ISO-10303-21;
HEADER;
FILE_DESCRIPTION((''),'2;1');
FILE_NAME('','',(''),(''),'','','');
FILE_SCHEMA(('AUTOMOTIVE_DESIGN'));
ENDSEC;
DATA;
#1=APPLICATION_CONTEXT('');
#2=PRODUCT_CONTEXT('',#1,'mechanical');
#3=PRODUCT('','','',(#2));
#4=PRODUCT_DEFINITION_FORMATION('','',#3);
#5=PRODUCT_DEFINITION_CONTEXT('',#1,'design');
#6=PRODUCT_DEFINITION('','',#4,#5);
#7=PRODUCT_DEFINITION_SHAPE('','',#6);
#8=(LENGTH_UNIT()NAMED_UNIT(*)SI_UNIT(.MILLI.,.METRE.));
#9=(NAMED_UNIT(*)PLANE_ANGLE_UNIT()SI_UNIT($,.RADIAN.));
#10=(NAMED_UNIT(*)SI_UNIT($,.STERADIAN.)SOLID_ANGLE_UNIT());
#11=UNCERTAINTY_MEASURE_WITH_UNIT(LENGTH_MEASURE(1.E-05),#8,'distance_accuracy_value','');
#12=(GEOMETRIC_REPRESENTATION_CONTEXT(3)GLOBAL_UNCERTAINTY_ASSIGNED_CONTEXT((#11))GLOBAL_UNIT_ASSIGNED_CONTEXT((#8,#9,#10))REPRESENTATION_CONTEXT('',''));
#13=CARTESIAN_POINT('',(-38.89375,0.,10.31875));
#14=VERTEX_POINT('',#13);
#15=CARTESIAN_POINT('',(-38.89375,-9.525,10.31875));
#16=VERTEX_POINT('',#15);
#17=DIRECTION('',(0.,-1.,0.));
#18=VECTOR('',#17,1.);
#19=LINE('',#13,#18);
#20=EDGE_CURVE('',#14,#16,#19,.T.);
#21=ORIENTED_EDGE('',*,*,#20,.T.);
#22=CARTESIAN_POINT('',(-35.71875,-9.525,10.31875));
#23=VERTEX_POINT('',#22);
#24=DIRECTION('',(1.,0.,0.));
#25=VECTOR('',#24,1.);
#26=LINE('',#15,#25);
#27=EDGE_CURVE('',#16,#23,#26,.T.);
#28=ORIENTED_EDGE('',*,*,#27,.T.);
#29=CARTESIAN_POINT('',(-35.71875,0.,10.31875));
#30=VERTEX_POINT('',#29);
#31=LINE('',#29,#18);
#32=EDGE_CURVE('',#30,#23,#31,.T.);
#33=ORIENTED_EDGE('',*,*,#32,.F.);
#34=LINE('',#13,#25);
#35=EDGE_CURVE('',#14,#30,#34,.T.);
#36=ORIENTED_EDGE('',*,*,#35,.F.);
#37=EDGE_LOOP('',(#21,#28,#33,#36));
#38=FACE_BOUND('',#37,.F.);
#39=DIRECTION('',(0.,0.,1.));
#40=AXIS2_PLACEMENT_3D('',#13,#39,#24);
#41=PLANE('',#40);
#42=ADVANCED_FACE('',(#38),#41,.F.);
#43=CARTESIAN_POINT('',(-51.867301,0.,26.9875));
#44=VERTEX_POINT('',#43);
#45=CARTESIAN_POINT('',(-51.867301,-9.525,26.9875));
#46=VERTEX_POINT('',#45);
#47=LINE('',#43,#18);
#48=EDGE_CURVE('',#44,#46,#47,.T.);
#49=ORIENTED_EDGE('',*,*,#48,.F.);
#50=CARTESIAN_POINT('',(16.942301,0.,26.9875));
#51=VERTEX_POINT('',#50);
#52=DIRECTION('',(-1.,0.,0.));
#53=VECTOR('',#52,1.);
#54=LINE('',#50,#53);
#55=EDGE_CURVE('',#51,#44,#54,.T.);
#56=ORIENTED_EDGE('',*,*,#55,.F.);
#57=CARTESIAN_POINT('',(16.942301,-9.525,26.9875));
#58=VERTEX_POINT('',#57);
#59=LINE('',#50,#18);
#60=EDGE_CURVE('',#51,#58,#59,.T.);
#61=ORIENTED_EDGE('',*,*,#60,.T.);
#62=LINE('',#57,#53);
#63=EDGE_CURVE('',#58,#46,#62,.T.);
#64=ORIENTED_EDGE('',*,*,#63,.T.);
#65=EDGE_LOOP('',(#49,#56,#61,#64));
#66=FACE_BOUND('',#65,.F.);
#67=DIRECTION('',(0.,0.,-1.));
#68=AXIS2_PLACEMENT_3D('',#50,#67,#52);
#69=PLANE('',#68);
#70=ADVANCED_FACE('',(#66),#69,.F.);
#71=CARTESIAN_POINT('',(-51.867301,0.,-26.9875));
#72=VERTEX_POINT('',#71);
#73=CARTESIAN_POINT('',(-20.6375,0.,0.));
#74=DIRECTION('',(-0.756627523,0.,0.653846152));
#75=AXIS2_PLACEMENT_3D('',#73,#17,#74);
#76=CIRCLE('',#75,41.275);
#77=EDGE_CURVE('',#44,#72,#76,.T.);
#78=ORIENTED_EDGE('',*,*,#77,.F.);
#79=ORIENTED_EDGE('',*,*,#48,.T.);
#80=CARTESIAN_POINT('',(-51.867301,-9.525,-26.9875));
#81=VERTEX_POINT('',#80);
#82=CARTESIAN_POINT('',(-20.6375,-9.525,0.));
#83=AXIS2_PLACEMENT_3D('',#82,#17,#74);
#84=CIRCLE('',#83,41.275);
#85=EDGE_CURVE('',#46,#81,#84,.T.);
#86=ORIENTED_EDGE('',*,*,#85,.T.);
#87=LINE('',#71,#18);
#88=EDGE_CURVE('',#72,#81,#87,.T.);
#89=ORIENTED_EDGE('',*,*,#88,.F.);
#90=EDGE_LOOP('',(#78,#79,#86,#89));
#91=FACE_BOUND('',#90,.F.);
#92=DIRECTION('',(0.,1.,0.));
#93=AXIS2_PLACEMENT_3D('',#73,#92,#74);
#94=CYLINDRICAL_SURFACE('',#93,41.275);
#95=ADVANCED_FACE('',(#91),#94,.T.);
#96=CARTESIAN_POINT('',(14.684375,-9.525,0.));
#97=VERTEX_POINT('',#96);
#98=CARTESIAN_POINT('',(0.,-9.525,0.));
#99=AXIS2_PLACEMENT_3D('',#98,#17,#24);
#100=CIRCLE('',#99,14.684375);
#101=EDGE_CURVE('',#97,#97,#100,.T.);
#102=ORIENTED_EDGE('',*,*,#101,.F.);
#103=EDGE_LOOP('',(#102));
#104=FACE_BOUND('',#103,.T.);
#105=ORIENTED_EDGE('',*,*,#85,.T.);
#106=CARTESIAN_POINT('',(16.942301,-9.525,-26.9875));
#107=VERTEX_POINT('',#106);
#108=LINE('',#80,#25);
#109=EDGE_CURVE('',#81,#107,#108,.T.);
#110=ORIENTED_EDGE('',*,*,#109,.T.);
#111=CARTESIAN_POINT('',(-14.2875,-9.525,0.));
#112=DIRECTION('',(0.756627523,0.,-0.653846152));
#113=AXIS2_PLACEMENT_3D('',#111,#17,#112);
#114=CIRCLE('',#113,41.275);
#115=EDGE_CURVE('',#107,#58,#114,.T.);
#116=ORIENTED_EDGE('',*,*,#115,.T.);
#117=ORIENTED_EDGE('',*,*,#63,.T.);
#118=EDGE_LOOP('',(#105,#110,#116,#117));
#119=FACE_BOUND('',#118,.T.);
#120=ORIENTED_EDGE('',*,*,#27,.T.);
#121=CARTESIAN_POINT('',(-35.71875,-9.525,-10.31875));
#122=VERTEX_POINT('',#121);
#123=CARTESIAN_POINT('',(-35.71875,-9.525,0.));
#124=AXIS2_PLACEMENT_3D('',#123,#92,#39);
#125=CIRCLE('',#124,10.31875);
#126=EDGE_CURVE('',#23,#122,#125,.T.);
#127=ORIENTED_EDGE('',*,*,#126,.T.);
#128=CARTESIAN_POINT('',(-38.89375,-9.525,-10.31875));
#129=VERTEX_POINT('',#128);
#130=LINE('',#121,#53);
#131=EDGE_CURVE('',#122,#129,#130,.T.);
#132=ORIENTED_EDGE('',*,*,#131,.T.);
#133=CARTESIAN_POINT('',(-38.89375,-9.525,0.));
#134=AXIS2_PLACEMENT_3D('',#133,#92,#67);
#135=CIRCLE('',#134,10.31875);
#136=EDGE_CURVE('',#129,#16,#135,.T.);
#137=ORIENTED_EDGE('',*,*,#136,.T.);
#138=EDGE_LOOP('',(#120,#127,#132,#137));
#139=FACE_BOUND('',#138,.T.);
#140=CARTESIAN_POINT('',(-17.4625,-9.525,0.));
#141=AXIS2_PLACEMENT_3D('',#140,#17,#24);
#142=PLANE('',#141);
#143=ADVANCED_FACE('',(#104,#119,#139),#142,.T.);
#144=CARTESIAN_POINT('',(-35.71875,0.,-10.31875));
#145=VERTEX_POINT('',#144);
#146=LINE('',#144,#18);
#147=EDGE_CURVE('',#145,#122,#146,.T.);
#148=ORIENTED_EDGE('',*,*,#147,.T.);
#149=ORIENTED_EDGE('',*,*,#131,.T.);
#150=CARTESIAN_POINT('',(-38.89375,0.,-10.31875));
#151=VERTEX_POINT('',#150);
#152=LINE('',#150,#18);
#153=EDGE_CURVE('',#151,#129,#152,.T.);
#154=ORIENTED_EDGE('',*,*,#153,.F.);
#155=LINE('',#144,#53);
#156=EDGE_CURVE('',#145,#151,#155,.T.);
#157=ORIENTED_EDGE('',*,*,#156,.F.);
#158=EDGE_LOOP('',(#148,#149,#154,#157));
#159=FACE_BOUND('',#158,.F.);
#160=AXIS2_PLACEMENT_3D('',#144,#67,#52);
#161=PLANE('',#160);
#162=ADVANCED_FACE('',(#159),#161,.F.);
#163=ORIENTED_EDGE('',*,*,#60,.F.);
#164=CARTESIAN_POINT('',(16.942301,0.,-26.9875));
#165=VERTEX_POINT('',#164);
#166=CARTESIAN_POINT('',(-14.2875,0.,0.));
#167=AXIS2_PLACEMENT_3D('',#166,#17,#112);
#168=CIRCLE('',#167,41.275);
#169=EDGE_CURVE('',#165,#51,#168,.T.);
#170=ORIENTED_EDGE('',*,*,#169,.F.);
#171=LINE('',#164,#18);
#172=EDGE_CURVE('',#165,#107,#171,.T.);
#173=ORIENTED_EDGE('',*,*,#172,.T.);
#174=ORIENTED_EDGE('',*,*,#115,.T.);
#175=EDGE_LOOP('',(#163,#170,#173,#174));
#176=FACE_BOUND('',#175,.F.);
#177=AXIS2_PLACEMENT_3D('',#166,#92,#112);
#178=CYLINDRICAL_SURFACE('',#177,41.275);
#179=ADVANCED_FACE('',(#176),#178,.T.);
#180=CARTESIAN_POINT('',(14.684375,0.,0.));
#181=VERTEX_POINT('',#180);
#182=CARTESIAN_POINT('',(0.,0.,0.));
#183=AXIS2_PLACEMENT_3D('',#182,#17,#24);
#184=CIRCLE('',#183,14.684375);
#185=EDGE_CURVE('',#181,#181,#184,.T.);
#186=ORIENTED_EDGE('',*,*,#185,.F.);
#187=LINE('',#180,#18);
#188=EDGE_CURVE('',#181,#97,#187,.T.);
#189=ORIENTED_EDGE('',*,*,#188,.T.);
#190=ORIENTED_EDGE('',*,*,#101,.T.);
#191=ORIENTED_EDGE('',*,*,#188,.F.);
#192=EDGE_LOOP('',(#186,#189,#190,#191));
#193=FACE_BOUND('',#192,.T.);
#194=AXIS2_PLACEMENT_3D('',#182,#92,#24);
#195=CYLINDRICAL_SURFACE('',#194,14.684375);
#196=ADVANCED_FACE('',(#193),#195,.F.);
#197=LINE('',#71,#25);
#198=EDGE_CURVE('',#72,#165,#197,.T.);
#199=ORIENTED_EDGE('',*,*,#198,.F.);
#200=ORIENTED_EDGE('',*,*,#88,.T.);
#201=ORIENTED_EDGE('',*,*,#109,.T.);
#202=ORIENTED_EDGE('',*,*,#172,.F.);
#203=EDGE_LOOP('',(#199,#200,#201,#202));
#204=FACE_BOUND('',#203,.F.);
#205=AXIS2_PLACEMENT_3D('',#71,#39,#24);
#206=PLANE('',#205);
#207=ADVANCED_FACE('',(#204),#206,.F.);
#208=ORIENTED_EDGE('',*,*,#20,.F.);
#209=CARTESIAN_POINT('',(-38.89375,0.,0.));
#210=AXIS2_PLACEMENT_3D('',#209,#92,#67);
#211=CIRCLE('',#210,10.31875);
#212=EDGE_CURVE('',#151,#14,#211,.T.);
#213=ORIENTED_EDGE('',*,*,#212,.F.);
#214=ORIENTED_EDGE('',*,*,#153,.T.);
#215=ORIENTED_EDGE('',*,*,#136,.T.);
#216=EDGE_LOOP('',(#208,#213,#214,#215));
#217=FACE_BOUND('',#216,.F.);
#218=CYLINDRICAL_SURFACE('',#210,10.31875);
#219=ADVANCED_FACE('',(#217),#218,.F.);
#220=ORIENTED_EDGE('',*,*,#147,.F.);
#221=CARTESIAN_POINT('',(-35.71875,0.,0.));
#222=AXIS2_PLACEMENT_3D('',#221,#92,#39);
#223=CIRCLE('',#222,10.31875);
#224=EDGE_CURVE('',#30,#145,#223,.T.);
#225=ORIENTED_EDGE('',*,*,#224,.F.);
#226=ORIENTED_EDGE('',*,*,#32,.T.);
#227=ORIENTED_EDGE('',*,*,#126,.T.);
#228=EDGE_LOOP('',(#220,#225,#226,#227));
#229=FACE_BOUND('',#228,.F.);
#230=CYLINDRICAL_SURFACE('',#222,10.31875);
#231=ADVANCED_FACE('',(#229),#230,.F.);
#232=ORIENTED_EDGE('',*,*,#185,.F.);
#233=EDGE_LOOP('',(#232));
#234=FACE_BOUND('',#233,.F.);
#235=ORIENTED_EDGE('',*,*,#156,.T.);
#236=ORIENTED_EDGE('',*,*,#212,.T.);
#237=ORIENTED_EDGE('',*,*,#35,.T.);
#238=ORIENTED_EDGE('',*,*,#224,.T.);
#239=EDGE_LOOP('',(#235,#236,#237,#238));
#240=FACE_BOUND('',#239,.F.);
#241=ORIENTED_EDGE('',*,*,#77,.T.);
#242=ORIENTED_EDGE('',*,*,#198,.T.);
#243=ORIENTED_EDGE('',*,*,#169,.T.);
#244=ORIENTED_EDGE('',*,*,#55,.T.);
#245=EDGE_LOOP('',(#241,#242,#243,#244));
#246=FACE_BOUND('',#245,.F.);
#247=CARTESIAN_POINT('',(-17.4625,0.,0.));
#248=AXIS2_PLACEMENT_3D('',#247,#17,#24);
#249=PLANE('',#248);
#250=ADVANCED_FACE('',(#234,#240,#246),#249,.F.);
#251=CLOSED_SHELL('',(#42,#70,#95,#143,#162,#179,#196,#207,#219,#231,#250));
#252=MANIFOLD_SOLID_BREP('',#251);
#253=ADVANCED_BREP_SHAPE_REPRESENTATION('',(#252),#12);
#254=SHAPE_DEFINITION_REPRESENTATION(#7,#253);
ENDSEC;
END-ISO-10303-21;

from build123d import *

# Parameters (mm, degrees)
F0_R     = 14.684375
F1_DEPTH = 9.525


with BuildPart() as f1:
    # F0 (on Front) → F1 (new body)
    with BuildSketch(Plane.XZ):
        with BuildLine():
            Line((-51.867301, -26.9875), (16.942301, -26.9875))
            ThreePointArc((16.942301, -26.9875), (26.9875, 0), (16.942301, 26.9875))
            Line((16.942301, 26.9875), (-51.867301, 26.9875))
            ThreePointArc((-51.867301, 26.9875), (-61.9125, 0), (-51.867301, -26.9875))
        make_face()
        with BuildLine():
            ThreePointArc((-38.89375, -10.31875), (-49.2125, 0), (-38.89375, 10.31875))
            Line((-38.89375, 10.31875), (-35.71875, 10.31875))
            ThreePointArc((-35.71875, 10.31875), (-25.4, 0), (-35.71875, -10.31875))
            Line((-35.71875, -10.31875), (-38.89375, -10.31875))
        make_face(mode=Mode.SUBTRACT)
        Circle(F0_R, mode=Mode.SUBTRACT)
    extrude(amount=F1_DEPTH)


solid = f1.part
